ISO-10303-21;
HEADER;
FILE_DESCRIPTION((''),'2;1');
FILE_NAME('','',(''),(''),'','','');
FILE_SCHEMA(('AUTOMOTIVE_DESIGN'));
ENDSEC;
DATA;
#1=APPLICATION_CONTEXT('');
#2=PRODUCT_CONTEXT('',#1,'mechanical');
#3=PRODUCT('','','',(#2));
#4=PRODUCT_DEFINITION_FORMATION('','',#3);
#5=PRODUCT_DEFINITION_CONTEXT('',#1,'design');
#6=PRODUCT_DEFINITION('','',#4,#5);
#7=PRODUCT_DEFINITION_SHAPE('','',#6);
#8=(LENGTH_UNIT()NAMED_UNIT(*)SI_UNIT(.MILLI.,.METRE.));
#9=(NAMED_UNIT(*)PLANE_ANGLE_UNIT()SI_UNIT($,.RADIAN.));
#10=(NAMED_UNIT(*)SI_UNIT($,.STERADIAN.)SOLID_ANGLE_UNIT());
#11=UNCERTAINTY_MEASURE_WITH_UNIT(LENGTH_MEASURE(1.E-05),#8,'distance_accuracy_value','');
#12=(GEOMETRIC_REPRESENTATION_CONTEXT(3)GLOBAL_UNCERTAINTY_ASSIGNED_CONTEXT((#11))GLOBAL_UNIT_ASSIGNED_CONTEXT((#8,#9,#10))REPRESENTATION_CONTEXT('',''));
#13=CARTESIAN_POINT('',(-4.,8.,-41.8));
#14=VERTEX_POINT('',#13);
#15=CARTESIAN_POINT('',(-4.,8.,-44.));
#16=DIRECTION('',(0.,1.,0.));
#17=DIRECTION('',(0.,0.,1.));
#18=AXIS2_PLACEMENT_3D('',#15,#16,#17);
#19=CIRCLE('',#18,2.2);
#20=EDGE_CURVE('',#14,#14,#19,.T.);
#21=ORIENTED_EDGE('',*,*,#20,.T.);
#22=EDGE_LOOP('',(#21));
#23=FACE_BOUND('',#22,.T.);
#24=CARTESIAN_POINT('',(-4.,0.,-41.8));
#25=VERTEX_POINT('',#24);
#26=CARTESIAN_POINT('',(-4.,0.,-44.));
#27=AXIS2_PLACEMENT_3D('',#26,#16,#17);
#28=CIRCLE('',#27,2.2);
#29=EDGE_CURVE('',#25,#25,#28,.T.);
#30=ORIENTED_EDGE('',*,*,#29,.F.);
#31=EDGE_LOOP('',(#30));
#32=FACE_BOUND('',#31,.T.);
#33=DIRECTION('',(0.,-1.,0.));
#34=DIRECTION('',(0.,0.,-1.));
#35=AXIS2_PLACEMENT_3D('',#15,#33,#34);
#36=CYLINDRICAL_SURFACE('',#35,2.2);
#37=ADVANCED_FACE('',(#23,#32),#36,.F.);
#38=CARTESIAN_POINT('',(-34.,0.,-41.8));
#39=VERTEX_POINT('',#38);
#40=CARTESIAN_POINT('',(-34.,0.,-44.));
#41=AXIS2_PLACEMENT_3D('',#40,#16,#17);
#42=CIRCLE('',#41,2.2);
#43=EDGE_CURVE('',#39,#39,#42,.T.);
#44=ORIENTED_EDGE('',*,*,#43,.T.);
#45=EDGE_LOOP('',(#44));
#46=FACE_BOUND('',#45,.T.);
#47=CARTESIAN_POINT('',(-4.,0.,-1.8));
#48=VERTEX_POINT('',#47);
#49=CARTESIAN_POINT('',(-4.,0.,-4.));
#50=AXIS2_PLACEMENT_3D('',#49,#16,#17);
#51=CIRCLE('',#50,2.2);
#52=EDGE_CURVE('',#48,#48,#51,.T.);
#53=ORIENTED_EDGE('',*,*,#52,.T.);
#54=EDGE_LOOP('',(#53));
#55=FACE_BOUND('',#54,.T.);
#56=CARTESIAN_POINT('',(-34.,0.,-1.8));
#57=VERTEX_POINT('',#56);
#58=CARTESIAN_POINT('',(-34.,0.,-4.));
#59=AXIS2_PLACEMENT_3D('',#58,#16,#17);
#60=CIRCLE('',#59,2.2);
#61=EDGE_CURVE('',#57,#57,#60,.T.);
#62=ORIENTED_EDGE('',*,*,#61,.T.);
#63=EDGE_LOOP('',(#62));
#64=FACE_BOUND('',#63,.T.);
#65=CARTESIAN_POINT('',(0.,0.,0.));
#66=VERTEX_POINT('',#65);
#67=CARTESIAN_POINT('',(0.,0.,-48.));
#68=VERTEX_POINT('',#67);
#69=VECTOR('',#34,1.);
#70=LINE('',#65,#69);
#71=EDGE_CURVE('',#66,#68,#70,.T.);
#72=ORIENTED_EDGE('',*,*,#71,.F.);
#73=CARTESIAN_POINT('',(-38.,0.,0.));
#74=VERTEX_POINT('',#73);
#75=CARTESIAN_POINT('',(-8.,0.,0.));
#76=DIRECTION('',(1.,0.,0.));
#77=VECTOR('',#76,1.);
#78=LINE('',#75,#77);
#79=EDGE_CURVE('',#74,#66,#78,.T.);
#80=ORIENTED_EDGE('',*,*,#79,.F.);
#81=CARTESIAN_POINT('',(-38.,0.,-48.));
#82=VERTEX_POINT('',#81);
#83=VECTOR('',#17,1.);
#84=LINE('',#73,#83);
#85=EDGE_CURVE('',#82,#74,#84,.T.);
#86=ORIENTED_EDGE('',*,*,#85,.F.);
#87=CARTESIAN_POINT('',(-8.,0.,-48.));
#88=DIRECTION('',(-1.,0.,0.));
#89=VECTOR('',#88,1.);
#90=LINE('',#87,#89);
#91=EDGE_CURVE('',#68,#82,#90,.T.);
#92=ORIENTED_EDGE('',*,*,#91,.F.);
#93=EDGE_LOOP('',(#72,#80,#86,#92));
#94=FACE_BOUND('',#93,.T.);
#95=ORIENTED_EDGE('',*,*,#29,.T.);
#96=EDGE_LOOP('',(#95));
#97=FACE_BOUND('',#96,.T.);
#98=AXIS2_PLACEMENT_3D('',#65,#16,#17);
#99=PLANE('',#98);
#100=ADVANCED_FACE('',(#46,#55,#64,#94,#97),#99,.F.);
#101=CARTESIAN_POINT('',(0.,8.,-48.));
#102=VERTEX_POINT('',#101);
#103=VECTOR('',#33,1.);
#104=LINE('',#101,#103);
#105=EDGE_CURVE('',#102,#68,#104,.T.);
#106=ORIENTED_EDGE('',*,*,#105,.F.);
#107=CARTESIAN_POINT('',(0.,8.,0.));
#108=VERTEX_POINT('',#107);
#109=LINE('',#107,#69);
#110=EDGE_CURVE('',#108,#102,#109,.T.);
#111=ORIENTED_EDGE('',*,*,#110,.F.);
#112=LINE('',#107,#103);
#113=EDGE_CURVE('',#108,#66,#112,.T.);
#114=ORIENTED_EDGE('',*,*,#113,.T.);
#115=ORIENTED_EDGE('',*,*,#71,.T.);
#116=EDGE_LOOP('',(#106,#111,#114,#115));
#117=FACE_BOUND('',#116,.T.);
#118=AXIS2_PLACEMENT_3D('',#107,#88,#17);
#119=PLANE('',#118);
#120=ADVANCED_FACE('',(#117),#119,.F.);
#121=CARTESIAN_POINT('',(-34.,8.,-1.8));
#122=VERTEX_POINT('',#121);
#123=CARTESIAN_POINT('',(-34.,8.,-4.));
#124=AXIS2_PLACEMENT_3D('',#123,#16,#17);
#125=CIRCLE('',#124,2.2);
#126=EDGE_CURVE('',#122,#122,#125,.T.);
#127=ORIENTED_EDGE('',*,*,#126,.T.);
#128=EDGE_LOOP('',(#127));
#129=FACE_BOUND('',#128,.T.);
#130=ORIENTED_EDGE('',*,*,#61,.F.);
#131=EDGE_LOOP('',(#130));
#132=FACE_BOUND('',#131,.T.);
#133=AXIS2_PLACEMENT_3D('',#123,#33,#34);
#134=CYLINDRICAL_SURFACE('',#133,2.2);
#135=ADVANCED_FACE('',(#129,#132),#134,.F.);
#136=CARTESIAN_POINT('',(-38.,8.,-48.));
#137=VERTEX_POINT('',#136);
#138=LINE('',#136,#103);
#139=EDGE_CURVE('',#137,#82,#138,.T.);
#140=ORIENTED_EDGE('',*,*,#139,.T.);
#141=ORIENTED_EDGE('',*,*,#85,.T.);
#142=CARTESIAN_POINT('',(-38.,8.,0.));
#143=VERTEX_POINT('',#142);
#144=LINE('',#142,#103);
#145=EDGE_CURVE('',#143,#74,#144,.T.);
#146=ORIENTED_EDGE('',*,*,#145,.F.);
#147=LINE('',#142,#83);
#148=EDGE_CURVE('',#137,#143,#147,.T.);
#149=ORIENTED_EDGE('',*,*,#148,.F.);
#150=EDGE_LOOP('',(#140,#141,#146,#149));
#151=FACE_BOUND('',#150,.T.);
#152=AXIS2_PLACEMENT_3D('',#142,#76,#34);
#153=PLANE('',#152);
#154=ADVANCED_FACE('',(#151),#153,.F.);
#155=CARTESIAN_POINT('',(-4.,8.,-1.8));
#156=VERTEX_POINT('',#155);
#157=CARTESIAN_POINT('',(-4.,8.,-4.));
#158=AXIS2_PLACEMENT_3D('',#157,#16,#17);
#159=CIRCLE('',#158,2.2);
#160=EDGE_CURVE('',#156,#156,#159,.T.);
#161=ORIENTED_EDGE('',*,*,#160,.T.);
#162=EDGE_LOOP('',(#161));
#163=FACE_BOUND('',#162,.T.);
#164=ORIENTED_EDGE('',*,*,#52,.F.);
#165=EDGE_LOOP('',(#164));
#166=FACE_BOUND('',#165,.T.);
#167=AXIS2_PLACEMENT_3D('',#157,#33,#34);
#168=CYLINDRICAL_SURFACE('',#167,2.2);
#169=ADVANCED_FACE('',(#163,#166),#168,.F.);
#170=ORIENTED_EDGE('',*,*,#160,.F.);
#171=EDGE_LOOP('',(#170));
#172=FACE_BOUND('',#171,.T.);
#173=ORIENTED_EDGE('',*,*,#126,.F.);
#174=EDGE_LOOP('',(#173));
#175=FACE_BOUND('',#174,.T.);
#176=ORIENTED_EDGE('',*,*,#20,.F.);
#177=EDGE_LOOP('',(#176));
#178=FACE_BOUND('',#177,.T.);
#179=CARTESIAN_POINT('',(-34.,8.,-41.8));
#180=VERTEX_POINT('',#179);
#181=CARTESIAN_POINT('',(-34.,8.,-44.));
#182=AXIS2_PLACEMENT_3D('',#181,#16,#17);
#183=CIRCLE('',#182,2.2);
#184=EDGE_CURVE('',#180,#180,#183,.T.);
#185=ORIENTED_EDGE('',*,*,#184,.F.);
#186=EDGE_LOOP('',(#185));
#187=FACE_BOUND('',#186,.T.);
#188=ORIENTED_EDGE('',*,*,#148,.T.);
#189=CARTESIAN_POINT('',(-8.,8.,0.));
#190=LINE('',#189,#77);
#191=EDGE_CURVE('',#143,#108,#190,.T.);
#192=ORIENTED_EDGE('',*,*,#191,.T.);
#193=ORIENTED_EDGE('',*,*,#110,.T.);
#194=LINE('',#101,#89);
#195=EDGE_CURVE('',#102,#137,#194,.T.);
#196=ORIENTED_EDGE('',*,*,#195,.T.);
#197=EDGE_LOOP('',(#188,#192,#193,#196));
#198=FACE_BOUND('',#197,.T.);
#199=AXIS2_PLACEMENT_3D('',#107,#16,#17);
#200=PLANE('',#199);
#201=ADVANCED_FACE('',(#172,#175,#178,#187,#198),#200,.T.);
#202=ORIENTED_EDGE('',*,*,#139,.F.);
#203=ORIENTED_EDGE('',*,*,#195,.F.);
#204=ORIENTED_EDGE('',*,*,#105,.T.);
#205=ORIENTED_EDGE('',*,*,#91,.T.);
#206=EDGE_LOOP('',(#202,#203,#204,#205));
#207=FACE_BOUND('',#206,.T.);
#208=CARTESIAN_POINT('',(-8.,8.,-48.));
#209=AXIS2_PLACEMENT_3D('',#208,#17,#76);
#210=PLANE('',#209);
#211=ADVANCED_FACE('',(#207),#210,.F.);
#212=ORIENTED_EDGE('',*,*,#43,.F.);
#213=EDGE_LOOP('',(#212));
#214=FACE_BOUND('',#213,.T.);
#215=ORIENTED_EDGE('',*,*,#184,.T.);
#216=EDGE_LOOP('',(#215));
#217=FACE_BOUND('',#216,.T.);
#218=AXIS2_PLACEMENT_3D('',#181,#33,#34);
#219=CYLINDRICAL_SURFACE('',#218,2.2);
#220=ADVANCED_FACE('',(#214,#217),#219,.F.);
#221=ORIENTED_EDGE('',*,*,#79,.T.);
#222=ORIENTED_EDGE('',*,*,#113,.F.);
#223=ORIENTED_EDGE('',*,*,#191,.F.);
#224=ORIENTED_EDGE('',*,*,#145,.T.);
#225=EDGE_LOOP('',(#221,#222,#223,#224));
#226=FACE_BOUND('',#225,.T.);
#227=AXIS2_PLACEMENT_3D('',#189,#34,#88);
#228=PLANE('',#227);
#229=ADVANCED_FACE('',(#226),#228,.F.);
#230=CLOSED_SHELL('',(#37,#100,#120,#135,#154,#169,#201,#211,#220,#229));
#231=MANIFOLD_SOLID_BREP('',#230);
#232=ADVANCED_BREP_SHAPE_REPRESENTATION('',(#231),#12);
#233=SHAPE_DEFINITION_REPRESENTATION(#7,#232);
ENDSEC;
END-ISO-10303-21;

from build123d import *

# Parameters (mm, degrees)
ESQUISSE1_R        = 2.2
BOSS_EXTRU_1_DEPTH = 8


with BuildPart() as part:
    # Esquisse1 → Boss.-Extru.1 (new body)
    with BuildSketch(Plane(origin=(0, 0, 0), x_dir=(1, 0, 0), z_dir=(0, 1, 0))):
        Polygon((0, 0), (0, 48), (-8, 48), (-38, 48), (-38, 0), (-30, 0), (-8, 0), align=None)
        with Locations(Location((-4, 4, 0), (0, 0, 270))):
            Circle(ESQUISSE1_R, mode=Mode.SUBTRACT)
        with Locations(Location((-4, 44, 0), (0, 0, 270))):
            Circle(ESQUISSE1_R, mode=Mode.SUBTRACT)
        with Locations(Location((-34, 4, 0), (0, 0, 270))):
            Circle(ESQUISSE1_R, mode=Mode.SUBTRACT)
        with Locations(Location((-34, 44, 0), (0, 0, 270))):
            Circle(ESQUISSE1_R, mode=Mode.SUBTRACT)
    extrude(amount=BOSS_EXTRU_1_DEPTH)


solid = part.part
